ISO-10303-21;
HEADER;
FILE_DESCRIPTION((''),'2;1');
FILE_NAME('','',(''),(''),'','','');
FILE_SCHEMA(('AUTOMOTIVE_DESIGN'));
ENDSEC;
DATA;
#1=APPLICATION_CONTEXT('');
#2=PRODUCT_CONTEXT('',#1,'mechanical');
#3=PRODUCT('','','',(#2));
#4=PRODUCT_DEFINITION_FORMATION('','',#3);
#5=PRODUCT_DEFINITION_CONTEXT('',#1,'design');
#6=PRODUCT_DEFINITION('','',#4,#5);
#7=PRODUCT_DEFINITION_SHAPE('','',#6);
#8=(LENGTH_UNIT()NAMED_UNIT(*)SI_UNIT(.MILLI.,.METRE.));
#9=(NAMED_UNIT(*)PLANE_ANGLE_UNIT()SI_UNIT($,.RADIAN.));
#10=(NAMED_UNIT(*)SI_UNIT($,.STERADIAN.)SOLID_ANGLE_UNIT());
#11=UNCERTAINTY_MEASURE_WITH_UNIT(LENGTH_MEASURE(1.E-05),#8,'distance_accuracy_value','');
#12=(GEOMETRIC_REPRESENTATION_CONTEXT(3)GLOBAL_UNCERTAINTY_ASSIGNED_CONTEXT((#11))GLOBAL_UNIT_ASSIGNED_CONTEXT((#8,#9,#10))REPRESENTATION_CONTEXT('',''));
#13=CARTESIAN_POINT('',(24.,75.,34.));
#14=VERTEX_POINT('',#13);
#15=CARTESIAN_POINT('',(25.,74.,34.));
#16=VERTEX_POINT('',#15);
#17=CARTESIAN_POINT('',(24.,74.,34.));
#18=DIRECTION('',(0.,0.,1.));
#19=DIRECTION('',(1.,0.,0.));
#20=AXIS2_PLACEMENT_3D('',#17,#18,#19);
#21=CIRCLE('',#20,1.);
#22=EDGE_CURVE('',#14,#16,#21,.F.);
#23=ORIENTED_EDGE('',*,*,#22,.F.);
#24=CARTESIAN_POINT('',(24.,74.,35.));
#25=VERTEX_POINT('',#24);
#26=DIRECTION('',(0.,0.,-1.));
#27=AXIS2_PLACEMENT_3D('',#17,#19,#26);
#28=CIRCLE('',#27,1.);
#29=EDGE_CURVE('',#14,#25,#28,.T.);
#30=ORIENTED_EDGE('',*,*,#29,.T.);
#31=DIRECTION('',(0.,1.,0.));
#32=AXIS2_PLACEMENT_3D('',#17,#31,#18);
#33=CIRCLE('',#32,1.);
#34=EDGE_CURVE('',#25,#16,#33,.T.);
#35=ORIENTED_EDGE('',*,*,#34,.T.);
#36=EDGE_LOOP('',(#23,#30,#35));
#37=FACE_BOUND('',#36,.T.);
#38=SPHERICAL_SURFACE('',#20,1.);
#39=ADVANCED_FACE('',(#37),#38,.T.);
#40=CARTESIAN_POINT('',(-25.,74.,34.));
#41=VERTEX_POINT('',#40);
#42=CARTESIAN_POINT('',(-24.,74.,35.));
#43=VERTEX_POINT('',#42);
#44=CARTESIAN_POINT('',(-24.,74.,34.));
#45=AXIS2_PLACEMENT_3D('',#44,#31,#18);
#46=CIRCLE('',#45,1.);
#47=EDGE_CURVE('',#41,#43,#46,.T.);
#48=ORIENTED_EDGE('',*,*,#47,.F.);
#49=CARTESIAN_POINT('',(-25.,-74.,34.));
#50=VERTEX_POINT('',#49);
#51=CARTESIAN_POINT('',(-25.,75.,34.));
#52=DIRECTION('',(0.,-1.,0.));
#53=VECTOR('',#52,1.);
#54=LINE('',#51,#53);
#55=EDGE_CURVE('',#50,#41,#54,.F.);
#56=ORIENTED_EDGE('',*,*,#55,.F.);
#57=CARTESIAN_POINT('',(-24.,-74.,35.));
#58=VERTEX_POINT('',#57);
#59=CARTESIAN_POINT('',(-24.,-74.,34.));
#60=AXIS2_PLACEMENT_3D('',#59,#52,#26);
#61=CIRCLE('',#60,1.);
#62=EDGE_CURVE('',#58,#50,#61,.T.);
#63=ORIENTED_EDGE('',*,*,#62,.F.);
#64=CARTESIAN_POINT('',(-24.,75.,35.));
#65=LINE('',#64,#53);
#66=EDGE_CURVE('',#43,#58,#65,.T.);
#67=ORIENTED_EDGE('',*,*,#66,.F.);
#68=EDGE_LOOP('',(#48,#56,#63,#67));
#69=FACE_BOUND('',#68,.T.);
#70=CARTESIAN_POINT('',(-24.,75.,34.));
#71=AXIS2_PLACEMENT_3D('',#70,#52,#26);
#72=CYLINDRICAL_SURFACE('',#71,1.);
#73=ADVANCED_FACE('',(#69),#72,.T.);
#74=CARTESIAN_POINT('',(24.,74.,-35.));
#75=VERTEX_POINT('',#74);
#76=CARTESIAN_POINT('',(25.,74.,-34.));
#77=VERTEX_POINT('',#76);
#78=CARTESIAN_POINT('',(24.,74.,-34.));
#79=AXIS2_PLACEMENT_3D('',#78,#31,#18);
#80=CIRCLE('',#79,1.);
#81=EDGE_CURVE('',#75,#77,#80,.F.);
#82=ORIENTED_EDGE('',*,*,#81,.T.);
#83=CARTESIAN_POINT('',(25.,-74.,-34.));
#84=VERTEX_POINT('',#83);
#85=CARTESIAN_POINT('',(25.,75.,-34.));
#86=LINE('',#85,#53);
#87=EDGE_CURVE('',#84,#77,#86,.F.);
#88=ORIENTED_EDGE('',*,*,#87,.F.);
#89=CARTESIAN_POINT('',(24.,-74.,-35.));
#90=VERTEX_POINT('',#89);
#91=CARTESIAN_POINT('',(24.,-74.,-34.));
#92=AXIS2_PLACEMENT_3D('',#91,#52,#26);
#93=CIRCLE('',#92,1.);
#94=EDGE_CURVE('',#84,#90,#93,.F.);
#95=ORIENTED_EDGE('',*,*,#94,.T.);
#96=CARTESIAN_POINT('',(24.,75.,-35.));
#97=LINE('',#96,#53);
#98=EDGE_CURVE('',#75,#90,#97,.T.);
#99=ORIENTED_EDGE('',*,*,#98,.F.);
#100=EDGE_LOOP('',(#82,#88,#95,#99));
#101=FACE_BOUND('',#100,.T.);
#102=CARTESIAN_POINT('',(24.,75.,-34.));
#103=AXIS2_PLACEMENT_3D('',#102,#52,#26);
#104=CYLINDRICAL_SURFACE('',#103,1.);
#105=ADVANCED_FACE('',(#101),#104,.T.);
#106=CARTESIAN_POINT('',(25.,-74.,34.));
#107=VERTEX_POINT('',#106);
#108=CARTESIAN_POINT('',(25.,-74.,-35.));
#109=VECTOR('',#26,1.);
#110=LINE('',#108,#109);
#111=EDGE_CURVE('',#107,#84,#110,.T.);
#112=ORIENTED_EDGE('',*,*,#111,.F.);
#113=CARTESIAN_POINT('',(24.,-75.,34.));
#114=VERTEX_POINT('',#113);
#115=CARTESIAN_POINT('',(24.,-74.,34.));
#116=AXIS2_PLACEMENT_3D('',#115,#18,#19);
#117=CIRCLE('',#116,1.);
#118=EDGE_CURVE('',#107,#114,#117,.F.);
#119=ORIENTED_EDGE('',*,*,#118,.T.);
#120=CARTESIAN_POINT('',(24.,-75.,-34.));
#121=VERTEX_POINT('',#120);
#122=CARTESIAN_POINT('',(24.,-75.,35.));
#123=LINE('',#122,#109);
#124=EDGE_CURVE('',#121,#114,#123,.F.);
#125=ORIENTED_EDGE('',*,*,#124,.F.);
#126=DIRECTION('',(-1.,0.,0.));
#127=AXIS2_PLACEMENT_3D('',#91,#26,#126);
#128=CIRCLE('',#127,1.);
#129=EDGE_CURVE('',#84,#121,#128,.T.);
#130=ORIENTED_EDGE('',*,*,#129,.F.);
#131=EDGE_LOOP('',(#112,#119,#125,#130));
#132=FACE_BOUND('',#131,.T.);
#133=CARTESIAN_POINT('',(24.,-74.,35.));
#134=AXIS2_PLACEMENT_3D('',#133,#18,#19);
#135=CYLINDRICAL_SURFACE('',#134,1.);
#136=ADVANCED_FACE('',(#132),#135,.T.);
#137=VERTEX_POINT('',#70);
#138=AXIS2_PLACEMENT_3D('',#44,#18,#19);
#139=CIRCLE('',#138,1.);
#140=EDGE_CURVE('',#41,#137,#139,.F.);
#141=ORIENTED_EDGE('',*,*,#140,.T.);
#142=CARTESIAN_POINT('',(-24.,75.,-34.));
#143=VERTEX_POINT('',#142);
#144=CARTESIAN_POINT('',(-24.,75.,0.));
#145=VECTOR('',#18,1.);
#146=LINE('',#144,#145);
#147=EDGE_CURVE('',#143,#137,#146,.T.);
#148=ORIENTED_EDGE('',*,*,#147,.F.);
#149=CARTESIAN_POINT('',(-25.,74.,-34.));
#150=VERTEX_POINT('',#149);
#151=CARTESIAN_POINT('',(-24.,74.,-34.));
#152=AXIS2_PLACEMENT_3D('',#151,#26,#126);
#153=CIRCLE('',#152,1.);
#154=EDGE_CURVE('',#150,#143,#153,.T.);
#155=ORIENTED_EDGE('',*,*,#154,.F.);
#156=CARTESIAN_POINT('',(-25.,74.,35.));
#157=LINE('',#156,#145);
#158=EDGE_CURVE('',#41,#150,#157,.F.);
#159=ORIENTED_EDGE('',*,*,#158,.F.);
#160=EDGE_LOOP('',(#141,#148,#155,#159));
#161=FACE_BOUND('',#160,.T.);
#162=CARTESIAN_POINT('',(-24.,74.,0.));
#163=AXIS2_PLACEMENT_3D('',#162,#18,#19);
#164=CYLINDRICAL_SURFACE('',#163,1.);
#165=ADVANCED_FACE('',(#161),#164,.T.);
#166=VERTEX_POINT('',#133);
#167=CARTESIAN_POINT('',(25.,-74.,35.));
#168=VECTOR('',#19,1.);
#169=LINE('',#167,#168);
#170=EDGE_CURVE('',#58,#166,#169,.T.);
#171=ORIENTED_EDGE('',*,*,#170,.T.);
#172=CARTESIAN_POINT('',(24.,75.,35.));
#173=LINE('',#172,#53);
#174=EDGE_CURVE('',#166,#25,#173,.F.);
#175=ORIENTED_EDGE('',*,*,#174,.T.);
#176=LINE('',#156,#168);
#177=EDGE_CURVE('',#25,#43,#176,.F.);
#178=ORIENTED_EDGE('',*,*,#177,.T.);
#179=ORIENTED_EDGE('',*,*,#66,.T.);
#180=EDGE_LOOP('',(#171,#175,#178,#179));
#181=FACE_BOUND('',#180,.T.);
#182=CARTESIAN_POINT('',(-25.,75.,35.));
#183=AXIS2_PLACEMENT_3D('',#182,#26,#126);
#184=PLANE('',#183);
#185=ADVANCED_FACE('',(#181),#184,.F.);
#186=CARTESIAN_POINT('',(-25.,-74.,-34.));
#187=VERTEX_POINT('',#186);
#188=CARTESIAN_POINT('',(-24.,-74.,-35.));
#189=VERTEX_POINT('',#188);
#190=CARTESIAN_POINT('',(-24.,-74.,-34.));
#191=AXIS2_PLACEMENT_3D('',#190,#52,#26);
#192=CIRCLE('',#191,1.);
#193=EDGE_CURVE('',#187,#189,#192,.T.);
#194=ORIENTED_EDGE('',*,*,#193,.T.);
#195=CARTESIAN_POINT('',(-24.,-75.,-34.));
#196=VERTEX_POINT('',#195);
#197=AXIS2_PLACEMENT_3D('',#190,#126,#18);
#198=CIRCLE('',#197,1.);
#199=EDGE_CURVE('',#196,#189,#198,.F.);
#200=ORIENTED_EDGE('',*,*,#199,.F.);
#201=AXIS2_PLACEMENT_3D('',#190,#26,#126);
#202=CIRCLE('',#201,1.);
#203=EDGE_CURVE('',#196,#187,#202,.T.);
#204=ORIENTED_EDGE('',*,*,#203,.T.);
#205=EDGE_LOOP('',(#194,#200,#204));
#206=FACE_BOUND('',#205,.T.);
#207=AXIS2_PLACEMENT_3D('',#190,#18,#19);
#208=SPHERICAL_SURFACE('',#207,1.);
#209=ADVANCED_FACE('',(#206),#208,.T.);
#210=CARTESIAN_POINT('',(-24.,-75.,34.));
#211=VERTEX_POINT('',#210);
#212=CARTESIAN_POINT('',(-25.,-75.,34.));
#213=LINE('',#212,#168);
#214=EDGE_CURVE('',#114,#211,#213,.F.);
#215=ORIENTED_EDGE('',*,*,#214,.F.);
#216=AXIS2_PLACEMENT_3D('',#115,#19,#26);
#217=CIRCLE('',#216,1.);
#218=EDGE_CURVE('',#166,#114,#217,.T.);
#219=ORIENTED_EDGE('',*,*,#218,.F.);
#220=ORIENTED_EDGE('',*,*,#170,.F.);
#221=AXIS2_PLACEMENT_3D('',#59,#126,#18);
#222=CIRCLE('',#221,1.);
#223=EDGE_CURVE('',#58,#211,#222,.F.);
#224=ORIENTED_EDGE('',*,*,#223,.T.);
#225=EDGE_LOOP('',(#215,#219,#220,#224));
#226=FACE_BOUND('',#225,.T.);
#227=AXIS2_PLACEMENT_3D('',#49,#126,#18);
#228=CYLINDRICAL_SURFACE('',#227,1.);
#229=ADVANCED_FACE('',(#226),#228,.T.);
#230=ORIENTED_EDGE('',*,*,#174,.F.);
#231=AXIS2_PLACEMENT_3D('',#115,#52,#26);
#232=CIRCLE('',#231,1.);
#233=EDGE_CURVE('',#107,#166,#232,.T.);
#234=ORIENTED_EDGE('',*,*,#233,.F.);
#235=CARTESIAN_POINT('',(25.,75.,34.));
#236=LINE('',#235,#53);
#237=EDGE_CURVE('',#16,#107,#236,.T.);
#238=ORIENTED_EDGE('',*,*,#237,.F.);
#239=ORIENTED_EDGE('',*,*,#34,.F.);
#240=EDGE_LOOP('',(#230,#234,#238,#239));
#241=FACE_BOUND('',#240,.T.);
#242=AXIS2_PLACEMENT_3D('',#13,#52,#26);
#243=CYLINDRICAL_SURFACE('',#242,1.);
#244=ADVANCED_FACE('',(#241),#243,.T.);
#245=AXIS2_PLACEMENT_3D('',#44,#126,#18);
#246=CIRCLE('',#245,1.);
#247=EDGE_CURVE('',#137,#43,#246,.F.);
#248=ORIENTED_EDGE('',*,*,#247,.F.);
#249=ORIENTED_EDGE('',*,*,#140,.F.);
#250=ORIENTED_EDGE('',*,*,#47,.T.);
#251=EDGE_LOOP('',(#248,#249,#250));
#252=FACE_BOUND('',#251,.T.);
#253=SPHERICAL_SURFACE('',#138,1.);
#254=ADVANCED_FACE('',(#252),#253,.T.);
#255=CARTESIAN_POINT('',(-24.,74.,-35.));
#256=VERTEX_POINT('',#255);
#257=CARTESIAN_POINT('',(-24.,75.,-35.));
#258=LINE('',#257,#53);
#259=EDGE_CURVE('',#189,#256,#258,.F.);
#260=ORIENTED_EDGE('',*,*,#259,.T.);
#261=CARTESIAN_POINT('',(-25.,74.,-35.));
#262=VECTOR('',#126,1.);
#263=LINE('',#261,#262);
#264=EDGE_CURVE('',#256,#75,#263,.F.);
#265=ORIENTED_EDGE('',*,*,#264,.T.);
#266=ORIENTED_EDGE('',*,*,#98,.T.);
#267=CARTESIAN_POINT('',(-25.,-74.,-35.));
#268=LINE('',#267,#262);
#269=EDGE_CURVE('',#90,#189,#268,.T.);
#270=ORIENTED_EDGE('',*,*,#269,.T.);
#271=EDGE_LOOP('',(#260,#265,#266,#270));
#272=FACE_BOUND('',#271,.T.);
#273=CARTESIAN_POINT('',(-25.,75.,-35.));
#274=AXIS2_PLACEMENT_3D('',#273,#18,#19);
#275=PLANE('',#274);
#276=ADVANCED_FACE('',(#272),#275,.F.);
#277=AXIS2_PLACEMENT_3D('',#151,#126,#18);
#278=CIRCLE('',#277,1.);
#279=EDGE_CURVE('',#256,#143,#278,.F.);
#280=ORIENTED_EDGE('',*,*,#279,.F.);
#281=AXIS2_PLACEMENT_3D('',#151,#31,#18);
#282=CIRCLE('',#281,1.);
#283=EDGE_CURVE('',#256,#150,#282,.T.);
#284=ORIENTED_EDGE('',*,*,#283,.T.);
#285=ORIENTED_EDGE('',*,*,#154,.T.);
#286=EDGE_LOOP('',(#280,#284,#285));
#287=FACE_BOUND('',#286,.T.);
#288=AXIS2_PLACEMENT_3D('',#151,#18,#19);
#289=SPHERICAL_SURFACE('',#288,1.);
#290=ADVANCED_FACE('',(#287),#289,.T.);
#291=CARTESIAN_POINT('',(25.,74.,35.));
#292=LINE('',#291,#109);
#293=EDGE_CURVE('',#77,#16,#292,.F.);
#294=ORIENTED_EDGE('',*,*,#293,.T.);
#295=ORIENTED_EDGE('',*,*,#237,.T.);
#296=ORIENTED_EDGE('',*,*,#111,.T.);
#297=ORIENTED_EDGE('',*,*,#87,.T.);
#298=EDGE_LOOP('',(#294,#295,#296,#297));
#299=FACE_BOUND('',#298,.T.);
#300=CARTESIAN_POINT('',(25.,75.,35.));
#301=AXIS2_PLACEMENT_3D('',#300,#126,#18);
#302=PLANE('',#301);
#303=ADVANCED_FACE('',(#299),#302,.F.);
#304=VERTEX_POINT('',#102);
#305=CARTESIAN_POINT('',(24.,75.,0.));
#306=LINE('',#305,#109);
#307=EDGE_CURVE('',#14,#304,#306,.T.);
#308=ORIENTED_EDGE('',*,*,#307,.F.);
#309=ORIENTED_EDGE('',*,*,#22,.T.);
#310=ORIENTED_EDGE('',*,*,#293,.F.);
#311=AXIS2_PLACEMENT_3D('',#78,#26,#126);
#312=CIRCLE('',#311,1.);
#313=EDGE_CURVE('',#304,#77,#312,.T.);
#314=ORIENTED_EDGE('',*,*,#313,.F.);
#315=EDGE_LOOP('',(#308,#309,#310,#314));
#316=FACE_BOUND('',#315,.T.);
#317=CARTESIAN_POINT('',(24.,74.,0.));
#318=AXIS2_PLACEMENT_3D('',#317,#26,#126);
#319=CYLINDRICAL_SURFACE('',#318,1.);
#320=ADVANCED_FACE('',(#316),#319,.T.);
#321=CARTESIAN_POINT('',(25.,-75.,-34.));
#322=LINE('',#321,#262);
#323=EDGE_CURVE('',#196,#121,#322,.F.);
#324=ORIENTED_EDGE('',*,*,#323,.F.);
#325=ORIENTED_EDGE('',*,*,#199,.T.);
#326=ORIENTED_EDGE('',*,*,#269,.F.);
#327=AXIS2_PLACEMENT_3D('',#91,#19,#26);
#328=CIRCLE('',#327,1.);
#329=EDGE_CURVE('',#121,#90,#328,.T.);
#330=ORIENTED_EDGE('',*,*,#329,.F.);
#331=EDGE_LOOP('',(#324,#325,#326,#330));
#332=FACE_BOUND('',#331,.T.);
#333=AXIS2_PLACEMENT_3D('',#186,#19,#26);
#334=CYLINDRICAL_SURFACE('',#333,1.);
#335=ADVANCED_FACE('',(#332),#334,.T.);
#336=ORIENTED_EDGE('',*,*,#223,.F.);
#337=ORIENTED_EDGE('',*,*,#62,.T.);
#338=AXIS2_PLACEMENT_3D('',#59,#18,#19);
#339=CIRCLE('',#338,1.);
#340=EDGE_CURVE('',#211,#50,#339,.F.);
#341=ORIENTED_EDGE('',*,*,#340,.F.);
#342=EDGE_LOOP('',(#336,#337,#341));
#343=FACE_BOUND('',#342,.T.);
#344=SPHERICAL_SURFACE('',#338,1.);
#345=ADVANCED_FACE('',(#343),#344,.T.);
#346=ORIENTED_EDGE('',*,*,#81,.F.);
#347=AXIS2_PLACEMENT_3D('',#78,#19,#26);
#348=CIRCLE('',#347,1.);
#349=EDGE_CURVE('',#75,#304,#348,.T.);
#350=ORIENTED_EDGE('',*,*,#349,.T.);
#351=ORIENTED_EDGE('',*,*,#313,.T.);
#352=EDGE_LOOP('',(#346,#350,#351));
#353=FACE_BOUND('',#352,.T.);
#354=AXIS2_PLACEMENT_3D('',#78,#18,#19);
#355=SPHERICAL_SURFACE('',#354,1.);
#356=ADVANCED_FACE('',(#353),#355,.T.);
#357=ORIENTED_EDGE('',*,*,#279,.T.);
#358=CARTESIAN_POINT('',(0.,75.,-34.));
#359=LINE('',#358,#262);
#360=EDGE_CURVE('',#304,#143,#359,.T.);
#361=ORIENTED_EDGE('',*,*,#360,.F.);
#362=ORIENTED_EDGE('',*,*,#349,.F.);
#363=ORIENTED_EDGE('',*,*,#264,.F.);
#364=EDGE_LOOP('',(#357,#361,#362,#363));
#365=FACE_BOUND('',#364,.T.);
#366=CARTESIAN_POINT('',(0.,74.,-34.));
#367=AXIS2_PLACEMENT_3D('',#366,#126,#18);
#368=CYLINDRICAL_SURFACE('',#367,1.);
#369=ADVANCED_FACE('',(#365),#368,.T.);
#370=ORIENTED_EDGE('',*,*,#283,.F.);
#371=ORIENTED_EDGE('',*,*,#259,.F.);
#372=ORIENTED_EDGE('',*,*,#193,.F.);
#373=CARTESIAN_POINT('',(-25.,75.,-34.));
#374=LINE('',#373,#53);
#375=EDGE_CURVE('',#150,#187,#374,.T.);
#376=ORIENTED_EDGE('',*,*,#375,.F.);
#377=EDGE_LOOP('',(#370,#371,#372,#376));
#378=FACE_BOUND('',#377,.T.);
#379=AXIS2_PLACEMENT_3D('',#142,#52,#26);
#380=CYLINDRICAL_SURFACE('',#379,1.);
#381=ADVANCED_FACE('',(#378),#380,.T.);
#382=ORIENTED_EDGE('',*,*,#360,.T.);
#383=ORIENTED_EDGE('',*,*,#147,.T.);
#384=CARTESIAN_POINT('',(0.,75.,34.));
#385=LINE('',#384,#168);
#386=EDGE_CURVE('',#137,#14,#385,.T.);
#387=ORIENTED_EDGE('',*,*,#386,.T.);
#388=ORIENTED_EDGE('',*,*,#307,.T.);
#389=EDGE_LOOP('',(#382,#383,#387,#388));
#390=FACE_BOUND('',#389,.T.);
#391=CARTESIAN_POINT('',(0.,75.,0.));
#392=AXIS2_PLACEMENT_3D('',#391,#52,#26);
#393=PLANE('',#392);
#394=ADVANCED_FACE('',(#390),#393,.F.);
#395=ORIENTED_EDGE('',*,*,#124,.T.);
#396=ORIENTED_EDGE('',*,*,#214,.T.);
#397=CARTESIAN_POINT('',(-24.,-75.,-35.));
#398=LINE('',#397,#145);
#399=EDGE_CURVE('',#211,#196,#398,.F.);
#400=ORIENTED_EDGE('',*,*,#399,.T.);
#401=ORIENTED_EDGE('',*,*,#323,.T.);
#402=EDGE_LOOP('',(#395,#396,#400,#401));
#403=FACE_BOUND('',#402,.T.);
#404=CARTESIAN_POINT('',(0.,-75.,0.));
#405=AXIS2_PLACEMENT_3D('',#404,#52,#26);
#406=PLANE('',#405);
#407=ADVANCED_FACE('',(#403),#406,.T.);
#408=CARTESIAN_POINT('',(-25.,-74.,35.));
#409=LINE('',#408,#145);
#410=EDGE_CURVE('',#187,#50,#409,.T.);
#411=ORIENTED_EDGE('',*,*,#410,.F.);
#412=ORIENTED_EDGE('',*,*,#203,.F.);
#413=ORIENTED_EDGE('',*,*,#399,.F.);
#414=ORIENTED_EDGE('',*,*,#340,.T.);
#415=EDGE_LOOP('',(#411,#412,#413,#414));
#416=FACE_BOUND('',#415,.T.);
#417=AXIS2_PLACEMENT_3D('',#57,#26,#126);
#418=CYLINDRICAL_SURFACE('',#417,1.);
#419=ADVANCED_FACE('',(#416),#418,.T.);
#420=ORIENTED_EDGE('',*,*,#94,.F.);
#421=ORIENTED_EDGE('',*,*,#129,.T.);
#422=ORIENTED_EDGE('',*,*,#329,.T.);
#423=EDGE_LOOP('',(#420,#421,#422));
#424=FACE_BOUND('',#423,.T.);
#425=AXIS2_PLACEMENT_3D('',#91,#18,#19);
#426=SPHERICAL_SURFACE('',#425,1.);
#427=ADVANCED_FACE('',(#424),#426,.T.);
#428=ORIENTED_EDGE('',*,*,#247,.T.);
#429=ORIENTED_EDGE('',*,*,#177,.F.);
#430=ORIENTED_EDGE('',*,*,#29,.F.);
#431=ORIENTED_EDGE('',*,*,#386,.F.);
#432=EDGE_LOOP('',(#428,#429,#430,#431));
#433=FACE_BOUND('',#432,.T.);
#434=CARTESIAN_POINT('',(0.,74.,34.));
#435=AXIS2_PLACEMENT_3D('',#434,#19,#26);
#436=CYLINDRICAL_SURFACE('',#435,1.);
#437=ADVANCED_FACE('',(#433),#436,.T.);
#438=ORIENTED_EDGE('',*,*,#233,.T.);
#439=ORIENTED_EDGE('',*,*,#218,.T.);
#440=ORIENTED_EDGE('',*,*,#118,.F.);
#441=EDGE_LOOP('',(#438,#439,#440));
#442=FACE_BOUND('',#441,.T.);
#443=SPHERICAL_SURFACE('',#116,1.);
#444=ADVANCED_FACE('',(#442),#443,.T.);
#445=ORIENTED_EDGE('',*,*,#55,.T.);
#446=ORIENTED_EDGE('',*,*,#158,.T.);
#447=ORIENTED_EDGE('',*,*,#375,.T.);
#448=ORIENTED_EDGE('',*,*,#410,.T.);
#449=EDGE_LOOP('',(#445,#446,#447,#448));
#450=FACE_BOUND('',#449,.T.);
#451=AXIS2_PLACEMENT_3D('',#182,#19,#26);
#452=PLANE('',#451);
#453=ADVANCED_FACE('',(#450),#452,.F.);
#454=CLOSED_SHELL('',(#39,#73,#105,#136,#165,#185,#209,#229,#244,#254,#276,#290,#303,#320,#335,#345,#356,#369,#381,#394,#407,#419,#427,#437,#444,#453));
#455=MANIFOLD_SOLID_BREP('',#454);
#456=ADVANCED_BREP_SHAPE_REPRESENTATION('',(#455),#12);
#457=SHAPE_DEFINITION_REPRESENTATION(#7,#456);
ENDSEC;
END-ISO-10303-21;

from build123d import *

# Parameters (mm, degrees)
SKETCH1_W           = 50
SKETCH1_H           = 70
BOSS_EXTRUDE1_DEPTH = 75
FILLET1_R           = 1


with BuildPart() as part:
    # Sketch1 → Boss-Extrude1 (new, symmetric)
    with BuildSketch(Plane(origin=(0, 0, 0), x_dir=(1, 0, 0), z_dir=(0, 1, 0))):
        Rectangle(SKETCH1_W, SKETCH1_H)
    extrude(amount=BOSS_EXTRUDE1_DEPTH, both=True)

    # Fillet1
    fillet1_edges = [part.edges().sort_by_distance(p)[0] for p in [
        (-25, 75, 0),
        (0, 75, 35),
        (25, 75, 0),
        (0, -75, 35),
        (-25, -75, 0),
        (0, -75, -35),
        (25, -75, 0),
        (0, 75, -35),
        (25, 0, 35),
        (-25, 0, 35),
        (-25, 0, -35),
        (25, 0, -35),
    ]]
    fillet(fillet1_edges, radius=FILLET1_R)


solid = part.part
